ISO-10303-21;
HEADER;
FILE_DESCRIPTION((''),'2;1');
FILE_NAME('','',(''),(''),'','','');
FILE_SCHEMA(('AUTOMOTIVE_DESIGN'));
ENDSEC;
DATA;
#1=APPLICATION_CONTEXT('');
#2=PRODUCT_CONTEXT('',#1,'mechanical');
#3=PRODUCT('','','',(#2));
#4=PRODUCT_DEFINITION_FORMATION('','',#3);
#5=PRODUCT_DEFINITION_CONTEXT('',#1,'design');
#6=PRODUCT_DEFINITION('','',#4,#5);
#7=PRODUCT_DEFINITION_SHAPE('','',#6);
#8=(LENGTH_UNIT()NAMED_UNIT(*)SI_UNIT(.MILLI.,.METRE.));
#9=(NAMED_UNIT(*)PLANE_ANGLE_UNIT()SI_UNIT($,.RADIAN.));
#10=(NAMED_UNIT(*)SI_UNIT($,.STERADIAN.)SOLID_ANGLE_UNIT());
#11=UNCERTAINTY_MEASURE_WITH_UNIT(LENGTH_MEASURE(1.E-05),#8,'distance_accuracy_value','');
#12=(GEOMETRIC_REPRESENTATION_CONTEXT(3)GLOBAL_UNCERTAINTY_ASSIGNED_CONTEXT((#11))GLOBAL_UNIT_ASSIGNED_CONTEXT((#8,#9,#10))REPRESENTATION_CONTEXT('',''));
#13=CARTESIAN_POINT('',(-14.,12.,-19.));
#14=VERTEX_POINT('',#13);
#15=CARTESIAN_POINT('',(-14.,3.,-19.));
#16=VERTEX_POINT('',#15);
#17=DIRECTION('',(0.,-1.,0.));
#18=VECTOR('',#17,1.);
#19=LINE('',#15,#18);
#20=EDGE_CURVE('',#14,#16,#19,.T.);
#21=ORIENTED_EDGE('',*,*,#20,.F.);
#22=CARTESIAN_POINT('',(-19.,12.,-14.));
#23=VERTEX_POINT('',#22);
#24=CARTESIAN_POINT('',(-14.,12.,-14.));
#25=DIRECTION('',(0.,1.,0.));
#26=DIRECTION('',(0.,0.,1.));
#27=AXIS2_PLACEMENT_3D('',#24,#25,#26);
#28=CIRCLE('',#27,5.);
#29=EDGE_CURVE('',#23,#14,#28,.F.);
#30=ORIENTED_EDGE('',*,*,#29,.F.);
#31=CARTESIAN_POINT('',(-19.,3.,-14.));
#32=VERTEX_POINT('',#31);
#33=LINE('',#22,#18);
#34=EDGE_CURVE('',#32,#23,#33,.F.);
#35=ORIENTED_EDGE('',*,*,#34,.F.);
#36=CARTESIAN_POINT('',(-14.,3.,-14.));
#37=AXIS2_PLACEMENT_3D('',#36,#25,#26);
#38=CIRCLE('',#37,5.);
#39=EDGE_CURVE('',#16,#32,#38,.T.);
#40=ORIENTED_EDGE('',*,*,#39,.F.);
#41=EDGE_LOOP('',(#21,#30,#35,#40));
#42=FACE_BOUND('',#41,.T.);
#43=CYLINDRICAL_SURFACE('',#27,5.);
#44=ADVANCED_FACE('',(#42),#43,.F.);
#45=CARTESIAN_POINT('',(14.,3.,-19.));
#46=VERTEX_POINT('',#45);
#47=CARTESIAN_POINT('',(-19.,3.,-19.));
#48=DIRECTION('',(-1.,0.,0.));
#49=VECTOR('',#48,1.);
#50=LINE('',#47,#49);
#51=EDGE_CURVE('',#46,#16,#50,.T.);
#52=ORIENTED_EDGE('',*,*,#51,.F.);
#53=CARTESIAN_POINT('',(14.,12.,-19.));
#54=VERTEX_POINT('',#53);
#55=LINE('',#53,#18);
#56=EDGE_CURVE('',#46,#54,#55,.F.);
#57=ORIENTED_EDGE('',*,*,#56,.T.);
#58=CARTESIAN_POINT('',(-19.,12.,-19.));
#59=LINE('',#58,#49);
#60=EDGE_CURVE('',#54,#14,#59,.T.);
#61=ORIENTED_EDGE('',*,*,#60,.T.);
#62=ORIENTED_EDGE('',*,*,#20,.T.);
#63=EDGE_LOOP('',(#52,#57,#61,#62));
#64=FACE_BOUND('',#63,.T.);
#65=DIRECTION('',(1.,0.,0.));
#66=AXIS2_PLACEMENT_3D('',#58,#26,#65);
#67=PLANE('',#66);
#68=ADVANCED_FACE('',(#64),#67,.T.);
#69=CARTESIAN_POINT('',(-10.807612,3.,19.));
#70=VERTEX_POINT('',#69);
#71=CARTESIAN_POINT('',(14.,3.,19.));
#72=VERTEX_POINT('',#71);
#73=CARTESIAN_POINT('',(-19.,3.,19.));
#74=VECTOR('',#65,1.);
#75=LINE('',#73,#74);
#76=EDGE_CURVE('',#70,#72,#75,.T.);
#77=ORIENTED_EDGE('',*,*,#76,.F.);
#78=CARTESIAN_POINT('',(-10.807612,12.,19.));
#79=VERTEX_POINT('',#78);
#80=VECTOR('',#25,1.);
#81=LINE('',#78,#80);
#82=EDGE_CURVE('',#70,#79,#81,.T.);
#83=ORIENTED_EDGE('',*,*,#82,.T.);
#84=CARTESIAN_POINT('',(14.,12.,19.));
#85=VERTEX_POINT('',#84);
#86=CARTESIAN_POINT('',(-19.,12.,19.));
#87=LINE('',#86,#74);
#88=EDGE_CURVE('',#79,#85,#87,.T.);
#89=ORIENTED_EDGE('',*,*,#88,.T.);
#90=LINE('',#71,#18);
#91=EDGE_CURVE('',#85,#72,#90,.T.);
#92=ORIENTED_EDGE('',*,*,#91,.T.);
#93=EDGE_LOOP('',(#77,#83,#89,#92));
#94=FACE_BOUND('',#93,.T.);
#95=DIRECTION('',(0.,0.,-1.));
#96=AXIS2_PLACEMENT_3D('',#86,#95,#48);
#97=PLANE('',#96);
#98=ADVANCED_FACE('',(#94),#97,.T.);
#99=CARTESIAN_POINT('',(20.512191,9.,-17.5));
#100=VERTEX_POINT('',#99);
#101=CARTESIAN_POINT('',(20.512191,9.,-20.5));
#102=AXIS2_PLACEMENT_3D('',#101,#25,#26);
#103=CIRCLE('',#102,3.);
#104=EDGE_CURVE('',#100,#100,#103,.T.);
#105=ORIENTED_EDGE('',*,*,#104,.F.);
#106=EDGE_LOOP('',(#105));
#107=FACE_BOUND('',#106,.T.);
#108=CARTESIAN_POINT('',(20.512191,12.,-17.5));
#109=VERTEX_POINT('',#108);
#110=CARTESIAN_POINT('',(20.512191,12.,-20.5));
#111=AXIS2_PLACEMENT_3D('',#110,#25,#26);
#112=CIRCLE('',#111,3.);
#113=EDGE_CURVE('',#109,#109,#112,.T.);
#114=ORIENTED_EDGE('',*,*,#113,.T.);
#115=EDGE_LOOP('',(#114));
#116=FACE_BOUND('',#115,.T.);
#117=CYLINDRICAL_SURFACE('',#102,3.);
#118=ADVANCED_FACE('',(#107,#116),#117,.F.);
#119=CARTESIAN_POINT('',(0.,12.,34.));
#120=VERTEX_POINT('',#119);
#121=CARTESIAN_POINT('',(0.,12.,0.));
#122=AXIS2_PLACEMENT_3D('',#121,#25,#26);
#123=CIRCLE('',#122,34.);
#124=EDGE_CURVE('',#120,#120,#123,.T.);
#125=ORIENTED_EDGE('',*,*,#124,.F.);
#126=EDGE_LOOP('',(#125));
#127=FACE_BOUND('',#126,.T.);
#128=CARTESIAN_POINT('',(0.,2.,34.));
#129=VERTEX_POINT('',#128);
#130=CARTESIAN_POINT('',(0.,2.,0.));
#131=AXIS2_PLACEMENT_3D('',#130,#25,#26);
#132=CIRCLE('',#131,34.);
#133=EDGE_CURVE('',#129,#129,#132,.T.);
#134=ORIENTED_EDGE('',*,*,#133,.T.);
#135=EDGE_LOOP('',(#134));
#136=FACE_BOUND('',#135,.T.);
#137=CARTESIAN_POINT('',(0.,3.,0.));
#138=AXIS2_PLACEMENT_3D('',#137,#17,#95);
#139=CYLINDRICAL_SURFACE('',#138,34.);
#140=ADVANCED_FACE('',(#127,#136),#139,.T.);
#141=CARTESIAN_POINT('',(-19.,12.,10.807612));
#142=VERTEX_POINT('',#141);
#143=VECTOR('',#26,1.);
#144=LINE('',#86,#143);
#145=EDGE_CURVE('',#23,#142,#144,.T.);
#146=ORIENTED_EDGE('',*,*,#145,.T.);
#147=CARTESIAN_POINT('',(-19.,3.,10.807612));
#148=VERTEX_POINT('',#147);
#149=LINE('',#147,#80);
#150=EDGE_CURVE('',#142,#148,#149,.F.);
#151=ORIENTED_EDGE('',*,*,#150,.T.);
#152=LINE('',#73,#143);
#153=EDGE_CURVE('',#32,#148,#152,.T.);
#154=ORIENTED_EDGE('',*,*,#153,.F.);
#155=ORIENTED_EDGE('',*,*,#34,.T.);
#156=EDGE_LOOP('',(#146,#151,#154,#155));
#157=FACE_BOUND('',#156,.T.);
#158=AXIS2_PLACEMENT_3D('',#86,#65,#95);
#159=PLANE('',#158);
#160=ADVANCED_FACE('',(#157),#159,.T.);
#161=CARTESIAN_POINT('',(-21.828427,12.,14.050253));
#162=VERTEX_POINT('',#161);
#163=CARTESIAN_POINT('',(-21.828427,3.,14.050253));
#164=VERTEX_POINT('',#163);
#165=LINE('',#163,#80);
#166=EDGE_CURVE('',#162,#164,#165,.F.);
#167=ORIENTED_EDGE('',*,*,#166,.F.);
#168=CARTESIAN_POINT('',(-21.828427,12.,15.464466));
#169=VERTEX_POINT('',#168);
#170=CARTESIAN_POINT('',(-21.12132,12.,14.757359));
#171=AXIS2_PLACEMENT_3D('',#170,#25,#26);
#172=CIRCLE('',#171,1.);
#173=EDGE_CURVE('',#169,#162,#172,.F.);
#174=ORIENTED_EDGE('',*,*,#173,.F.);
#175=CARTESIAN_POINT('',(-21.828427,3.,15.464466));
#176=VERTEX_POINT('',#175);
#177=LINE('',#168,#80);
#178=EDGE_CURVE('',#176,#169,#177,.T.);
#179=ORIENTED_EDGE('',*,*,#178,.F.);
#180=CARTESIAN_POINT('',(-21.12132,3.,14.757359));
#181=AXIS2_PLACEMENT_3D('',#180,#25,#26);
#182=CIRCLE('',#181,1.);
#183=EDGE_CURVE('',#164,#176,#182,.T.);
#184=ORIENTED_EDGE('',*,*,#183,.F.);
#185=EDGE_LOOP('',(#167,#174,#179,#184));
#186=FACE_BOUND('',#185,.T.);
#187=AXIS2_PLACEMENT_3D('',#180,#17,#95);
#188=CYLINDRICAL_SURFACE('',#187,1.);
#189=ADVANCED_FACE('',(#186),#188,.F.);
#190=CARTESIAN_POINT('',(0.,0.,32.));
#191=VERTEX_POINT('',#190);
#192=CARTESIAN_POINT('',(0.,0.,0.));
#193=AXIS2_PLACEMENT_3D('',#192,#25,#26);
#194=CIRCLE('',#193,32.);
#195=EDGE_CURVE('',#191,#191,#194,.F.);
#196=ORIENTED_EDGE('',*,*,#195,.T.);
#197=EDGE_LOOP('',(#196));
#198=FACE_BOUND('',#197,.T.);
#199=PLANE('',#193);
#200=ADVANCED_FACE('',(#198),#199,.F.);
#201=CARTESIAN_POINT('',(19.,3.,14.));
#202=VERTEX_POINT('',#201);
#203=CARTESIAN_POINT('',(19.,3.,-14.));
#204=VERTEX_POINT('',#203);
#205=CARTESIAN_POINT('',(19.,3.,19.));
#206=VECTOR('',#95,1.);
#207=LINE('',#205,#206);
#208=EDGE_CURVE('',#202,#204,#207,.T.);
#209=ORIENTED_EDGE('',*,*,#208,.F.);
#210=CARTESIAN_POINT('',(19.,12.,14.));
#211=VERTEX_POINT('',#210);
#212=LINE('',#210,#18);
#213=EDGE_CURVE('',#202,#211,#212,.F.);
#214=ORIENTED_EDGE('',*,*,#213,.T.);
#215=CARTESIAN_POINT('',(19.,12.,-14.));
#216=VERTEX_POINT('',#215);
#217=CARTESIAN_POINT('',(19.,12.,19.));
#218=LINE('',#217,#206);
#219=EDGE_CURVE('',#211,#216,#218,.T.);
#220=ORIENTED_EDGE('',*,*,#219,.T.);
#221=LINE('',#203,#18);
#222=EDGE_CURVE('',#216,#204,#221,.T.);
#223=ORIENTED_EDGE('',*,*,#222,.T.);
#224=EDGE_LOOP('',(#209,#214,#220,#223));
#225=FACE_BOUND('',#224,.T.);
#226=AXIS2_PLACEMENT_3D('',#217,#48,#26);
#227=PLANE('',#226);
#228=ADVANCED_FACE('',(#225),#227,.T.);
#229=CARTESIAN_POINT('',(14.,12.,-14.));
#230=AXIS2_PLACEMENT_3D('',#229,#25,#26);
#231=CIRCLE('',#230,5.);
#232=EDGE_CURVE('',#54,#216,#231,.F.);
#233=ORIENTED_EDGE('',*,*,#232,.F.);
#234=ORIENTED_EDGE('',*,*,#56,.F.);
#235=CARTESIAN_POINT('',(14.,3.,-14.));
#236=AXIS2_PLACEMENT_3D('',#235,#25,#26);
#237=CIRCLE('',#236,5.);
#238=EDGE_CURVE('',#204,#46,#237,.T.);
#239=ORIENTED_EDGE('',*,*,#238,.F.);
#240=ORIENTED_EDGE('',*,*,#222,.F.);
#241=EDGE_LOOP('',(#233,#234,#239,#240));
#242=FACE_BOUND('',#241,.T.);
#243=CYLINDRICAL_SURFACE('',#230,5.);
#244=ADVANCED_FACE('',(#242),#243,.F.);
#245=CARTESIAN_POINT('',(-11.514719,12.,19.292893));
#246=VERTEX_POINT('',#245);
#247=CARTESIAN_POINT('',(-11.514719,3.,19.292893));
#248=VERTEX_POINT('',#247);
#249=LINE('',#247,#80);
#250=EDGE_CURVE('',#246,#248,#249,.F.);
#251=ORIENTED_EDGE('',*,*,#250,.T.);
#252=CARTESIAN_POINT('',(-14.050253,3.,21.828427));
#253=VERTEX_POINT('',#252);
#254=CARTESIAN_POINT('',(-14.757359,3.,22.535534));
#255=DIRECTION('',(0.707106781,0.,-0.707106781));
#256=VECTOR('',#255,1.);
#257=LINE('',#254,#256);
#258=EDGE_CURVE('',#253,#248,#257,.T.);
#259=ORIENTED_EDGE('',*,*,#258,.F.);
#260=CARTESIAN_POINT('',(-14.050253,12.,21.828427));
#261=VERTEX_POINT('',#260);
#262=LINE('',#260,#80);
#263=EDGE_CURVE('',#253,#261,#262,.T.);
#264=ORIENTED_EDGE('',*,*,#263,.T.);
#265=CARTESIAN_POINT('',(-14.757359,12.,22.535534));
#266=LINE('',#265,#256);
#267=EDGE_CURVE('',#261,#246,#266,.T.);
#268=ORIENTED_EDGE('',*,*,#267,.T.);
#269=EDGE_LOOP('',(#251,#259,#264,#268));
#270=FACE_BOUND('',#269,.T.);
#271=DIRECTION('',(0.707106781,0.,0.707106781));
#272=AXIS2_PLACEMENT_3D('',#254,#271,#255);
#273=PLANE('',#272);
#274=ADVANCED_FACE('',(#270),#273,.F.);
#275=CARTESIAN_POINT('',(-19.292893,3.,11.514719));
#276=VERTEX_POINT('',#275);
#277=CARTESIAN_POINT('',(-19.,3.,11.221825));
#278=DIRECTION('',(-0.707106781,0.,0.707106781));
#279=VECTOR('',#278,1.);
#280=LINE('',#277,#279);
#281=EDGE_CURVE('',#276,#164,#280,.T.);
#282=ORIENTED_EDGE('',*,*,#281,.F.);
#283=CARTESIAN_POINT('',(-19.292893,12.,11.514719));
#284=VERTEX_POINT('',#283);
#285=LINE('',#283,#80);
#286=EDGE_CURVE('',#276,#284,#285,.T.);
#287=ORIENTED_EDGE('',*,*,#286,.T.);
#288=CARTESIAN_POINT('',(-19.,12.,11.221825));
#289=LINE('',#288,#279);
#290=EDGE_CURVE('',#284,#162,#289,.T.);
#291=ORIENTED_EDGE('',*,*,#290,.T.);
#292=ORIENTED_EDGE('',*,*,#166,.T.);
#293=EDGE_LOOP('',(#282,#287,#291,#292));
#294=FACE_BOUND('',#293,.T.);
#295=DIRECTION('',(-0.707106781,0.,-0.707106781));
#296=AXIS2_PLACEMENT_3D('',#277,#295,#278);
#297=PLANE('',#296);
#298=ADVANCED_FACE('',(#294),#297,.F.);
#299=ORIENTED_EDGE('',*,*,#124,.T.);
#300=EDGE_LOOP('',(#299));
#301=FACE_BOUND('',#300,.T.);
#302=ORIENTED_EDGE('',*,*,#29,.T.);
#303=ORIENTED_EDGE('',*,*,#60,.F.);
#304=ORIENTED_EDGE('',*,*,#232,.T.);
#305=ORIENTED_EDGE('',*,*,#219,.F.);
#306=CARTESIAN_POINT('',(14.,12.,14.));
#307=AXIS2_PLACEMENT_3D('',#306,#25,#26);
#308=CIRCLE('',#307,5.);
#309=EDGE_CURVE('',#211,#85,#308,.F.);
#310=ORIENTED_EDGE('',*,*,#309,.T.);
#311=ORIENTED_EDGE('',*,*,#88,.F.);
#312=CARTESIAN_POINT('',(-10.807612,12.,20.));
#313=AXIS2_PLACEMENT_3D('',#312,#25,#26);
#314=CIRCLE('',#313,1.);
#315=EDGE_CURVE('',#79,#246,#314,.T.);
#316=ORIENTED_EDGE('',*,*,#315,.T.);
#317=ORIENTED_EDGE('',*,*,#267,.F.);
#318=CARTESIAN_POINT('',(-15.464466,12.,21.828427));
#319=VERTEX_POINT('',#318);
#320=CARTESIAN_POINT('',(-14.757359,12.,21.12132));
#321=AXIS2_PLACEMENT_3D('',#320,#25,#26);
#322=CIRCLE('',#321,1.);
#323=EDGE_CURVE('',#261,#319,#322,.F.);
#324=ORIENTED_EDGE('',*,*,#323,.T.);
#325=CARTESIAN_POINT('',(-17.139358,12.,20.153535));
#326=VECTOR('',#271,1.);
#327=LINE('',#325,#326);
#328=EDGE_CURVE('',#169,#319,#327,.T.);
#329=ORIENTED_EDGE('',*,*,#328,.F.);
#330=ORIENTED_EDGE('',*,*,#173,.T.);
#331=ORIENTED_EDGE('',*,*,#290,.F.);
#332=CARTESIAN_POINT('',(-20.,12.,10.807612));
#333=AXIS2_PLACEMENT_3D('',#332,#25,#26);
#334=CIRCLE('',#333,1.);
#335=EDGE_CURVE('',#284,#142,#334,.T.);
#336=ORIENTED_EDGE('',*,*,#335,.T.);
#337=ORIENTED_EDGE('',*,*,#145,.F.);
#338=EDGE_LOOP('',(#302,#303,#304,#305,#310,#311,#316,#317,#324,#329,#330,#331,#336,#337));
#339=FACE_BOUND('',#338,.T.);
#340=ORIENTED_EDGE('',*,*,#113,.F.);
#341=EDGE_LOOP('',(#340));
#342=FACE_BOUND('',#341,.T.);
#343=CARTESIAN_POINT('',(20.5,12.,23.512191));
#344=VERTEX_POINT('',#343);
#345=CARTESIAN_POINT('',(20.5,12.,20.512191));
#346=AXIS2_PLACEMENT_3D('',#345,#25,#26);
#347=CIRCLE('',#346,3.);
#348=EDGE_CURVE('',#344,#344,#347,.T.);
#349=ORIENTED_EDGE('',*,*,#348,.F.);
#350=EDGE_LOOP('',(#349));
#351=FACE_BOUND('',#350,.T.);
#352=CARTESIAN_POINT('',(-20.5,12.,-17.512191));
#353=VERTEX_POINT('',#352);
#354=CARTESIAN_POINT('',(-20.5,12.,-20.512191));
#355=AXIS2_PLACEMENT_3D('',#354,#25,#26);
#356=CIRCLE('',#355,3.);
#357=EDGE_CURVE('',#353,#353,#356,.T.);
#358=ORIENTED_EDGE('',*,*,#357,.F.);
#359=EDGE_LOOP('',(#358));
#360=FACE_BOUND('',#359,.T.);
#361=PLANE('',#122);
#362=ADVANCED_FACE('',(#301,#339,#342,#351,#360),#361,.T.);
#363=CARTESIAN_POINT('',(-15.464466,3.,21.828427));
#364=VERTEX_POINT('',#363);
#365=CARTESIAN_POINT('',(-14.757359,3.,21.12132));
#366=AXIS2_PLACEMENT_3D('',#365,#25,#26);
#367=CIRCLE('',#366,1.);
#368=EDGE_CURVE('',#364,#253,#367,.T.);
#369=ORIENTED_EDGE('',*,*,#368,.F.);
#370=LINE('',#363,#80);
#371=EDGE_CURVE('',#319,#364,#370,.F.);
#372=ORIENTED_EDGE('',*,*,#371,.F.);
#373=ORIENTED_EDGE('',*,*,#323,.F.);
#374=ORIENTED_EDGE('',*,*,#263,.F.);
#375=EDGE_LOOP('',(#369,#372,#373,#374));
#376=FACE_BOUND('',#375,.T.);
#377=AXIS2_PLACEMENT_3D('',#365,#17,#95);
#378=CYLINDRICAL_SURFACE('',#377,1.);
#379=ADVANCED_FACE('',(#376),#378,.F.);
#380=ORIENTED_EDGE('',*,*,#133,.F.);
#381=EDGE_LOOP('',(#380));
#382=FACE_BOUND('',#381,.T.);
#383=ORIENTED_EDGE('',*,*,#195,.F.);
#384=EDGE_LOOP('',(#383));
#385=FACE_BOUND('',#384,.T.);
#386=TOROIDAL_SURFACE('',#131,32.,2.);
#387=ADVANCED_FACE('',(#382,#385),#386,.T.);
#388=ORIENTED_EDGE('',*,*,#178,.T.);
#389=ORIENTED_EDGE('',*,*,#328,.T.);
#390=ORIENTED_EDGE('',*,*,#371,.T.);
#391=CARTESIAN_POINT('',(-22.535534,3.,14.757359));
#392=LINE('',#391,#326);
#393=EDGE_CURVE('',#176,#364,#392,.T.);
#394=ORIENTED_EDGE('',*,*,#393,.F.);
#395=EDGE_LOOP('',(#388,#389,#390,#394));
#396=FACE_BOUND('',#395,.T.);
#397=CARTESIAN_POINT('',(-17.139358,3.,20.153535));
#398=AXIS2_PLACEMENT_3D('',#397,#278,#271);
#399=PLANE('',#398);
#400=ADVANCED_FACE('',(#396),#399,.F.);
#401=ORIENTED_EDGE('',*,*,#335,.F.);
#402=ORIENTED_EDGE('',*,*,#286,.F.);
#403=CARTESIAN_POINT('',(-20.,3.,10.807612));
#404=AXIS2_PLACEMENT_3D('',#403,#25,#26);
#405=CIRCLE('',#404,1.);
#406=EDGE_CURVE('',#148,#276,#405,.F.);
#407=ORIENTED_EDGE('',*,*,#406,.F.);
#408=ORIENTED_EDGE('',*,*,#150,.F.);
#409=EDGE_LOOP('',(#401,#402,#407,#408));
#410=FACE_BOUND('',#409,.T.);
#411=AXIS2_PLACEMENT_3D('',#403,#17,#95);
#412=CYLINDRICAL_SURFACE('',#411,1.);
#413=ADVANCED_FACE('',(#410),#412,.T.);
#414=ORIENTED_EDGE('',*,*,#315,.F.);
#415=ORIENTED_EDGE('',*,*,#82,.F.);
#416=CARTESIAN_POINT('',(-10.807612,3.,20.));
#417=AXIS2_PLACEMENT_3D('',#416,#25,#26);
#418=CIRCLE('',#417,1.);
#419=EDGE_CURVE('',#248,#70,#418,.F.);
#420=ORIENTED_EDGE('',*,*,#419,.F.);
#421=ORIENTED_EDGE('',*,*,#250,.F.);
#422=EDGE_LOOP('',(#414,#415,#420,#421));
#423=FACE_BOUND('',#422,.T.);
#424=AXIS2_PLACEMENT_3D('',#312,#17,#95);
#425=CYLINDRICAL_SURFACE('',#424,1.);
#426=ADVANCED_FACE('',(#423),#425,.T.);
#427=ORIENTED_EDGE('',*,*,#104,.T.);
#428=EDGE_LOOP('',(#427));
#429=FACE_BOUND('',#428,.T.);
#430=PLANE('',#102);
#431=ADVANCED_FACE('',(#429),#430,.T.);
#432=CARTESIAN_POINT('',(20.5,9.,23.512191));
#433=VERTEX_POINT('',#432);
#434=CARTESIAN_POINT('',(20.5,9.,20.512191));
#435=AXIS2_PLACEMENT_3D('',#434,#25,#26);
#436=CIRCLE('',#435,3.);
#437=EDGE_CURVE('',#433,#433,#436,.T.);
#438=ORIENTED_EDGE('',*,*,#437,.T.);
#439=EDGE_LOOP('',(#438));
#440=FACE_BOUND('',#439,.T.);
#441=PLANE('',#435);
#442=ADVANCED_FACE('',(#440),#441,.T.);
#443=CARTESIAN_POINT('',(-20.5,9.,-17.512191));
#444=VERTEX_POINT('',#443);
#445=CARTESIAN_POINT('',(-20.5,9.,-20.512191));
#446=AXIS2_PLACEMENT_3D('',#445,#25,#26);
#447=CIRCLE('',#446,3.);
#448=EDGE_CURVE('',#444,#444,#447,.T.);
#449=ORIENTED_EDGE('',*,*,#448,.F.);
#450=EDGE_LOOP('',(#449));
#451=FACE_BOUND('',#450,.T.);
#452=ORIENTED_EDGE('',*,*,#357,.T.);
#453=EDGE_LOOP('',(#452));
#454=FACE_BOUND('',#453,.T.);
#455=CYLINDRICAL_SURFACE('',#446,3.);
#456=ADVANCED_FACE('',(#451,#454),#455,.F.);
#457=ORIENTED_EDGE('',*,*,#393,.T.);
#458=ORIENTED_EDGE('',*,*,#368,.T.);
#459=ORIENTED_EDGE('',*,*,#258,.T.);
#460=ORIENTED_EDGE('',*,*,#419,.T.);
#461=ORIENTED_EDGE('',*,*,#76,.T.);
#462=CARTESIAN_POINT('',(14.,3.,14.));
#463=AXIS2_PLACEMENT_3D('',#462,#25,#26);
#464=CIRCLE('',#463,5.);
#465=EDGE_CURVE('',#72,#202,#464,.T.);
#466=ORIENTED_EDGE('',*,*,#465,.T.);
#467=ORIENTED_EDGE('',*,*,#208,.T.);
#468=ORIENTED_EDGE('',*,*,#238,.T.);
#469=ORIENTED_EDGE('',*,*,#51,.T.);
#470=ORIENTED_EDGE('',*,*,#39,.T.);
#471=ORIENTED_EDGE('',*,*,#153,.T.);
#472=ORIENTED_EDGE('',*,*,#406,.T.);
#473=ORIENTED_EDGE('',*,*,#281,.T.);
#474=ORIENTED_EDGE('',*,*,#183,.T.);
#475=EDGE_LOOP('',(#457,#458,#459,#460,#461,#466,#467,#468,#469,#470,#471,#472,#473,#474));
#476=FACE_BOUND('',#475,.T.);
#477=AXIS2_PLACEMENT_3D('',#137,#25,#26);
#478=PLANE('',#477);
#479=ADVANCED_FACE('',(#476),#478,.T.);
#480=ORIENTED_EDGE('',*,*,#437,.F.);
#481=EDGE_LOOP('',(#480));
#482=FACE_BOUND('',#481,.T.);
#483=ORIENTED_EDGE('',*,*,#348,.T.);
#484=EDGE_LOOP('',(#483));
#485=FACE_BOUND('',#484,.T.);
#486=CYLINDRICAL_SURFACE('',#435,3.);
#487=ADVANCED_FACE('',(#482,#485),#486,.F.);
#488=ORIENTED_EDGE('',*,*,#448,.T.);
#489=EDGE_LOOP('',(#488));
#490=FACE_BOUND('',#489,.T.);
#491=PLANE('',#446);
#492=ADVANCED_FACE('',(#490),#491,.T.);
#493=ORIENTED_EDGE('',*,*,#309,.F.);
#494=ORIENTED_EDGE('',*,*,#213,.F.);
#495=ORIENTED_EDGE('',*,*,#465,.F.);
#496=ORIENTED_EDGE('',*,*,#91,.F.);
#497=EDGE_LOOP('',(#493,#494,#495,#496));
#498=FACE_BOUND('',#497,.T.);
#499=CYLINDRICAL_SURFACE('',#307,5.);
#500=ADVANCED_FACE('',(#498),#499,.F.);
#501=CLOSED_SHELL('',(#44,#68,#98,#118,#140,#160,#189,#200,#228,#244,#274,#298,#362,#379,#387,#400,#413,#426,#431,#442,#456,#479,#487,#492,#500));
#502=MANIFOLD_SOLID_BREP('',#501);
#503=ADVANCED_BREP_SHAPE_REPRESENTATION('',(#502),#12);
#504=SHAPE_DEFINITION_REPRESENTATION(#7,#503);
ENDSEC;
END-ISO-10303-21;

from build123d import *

# Parameters (mm, degrees)
SKETCH1_R           = 34
BOSS_EXTRUDE1_DEPTH = 3
SKETCH2_R           = 34
SKETCH2_W           = 38
SKETCH2_H           = 38
BOSS_EXTRUDE2_DEPTH = 9
FILLET1_R           = 5
SKETCH3_R           = 3
CUT_EXTRUDE1_DEPTH  = 3
CUT_EXTRUDE2_DEPTH  = 9
FILLET2_R           = 1
FILLET3_R           = 2


with BuildPart() as part:
    # Sketch1 → Boss-Extrude1 (new body)
    with BuildSketch(Plane(origin=(0, 0, 0), x_dir=(1, 0, 0), z_dir=(0, 1, 0))):
        Circle(SKETCH1_R)
    extrude(amount=BOSS_EXTRUDE1_DEPTH)

    # Sketch2 → Boss-Extrude2 (add)
    with BuildSketch(Plane(origin=(0, 3, 0), x_dir=(1, 0, 0), z_dir=(0, 1, 0))):
        Circle(SKETCH2_R)
        Rectangle(SKETCH2_W, SKETCH2_H, mode=Mode.SUBTRACT)
    extrude(amount=BOSS_EXTRUDE2_DEPTH)

    # Fillet1
    fillet1_edges = [part.edges().sort_by_distance(p)[0] for p in [
        (19, 7.5, -19),
        (-19, 7.5, -19),
        (-19, 7.5, 19),
        (19, 7.5, 19),
    ]]
    fillet(fillet1_edges, radius=FILLET1_R)

    # Sketch3 → Cut-Extrude1 (cut)
    with BuildSketch(Plane(origin=(0, 12, 0), x_dir=(1, 0, 0), z_dir=(0, 1, 0))):
        with Locations((-20.5, 20.512191497)):
            Circle(SKETCH3_R)
        with Locations((20.512191497, 20.5)):
            Circle(SKETCH3_R)
        with Locations((20.5, -20.512191497)):
            Circle(SKETCH3_R)
    extrude(amount=-CUT_EXTRUDE1_DEPTH, mode=Mode.SUBTRACT)

    # Sketch4 → Cut-Extrude2 (cut)
    with BuildSketch(Plane(origin=(0, 12, 0), x_dir=(1, 0, 0), z_dir=(0, 1, 0))):
        Polygon((-19, -11.221825407), (-22.535533906, -14.757359313), (-17.139357786, -20.153535433), (-14.757359313, -22.535533906), (-11.221825407, -19), align=None)
    extrude(amount=-CUT_EXTRUDE2_DEPTH, mode=Mode.SUBTRACT)

    # Fillet2
    fillet2_edges = [part.edges().sort_by_distance(p)[0] for p in [
        (-19, 7.5, 11.221825407),
        (-11.221825407, 7.5, 19),
        (-14.757359313, 7.5, 22.535533906),
        (-22.535533906, 7.5, 14.757359313),
    ]]
    fillet(fillet2_edges, radius=FILLET2_R)

    # Fillet3
    fillet3_edges = [part.edges().sort_by_distance(p)[0] for p in [
        (-34, 0, 0),
    ]]
    fillet(fillet3_edges, radius=FILLET3_R)


solid = part.part
